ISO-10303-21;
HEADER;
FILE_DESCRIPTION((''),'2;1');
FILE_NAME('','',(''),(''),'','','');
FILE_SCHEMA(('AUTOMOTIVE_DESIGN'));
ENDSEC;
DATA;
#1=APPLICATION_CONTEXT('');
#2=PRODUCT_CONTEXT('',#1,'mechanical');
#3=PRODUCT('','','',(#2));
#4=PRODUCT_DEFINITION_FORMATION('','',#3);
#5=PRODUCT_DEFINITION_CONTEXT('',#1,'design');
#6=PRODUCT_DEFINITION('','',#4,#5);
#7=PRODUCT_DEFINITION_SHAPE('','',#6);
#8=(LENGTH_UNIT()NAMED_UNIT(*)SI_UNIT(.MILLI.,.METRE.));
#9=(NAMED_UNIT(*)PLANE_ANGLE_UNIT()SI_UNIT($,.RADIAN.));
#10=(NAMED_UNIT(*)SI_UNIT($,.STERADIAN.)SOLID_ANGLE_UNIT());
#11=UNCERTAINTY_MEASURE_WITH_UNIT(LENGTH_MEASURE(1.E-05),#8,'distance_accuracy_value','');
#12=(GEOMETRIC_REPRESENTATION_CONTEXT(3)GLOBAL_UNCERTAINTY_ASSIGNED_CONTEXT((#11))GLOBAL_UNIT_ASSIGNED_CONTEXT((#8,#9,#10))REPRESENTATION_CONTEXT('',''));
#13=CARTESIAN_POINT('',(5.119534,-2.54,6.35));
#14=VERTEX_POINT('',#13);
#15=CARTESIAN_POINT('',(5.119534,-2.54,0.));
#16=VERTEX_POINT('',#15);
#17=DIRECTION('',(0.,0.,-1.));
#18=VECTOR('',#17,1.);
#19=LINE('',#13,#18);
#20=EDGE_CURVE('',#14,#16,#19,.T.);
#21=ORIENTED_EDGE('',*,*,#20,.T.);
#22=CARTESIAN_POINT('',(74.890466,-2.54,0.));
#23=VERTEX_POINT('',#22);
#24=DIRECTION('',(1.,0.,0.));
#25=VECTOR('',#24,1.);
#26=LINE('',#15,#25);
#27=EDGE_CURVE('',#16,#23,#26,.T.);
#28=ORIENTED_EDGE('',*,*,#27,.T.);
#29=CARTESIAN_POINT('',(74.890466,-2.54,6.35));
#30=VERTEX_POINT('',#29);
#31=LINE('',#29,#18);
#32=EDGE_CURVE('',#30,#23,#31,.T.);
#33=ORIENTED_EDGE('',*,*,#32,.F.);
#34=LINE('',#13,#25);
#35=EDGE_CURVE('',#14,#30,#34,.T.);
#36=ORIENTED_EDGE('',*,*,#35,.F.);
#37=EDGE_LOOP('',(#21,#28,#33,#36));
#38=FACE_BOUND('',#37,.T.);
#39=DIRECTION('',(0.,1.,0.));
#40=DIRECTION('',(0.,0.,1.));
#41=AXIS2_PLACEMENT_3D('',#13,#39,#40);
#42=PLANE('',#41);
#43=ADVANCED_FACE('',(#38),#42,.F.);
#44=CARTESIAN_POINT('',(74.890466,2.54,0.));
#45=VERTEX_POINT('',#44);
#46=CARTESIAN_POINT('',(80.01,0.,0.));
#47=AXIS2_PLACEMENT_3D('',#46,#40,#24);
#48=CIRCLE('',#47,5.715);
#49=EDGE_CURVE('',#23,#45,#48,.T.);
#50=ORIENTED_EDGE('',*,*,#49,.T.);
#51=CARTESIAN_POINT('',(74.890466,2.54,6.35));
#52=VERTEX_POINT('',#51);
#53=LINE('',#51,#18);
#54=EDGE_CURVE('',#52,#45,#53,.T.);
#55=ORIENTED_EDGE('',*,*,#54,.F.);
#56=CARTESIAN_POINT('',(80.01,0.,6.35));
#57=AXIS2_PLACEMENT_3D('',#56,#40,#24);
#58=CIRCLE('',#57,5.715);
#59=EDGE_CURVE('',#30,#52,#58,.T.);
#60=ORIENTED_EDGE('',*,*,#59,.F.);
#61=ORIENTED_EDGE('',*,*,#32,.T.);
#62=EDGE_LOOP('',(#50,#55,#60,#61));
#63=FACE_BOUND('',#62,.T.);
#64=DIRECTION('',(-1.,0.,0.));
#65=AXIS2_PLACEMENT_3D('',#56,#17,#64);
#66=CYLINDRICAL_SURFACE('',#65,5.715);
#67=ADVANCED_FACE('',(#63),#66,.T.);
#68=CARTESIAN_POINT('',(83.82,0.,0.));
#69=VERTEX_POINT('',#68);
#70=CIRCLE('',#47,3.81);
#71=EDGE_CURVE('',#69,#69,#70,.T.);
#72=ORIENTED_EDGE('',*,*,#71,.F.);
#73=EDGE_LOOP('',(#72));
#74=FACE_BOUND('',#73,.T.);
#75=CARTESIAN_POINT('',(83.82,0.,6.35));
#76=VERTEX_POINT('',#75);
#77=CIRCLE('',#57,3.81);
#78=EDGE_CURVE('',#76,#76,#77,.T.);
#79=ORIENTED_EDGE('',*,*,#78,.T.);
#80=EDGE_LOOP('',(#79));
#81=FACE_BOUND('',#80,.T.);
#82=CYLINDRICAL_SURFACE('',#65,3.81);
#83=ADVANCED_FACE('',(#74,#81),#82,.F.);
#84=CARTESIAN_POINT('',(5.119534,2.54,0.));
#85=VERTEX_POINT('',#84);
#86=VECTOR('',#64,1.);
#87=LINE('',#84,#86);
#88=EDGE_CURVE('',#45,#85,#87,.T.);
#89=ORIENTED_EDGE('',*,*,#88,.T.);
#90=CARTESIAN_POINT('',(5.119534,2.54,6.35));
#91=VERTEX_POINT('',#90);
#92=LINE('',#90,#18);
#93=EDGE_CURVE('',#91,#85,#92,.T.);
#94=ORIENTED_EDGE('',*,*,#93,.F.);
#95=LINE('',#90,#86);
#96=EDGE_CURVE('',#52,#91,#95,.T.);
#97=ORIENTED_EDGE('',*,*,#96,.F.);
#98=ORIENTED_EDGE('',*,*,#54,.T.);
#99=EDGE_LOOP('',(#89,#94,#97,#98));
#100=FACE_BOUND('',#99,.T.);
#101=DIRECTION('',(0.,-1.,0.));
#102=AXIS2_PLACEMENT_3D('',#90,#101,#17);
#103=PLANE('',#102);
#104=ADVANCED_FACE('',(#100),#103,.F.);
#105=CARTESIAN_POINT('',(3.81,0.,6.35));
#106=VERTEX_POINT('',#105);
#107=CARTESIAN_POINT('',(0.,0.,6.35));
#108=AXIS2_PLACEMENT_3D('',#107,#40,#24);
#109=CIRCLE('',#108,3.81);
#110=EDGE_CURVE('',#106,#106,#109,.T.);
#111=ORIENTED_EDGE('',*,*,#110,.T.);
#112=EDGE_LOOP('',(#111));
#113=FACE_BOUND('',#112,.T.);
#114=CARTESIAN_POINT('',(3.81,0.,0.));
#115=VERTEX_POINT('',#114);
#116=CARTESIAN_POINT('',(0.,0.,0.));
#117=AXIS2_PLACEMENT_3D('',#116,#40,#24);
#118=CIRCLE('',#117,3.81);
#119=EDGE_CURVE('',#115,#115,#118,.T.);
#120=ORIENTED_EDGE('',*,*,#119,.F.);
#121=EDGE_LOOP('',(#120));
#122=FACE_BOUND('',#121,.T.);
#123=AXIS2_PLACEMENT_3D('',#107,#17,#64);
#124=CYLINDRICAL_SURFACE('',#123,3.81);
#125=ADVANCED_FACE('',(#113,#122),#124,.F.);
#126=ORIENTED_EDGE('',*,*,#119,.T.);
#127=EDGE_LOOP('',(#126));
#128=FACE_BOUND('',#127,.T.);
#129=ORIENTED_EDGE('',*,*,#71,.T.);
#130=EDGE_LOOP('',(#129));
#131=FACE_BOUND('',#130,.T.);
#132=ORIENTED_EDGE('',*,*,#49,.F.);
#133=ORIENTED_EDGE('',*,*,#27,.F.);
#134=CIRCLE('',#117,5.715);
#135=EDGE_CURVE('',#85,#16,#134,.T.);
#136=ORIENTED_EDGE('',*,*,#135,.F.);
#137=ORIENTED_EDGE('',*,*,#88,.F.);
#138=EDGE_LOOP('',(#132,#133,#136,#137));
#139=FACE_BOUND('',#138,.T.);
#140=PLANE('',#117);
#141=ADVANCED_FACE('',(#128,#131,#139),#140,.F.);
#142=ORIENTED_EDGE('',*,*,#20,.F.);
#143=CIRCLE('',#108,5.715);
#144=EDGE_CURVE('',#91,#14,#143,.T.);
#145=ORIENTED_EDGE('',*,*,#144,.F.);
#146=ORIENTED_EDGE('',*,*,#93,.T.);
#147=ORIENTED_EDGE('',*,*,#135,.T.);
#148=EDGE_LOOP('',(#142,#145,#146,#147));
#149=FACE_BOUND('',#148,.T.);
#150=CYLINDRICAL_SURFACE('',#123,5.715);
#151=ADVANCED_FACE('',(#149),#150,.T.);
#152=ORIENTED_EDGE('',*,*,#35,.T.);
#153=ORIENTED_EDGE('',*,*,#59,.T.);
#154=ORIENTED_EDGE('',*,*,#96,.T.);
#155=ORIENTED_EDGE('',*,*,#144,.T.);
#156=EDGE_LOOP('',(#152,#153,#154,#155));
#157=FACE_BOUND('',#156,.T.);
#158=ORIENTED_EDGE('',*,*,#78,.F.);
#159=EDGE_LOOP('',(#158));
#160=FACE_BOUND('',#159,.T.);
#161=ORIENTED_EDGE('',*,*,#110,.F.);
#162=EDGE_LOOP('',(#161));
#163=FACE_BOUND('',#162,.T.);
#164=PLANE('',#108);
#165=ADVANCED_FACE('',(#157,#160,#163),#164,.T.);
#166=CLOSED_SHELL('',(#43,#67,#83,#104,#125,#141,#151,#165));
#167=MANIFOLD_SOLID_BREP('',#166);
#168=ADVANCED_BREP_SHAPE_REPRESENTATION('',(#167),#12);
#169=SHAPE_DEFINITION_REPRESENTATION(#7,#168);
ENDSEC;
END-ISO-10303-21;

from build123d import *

# Parameters (mm, degrees)
SKETCH1_R           = 3.81
BOSS_EXTRUDE1_DEPTH = 6.35


with BuildPart() as part:
    # Sketch1 → Boss-Extrude1 (new body)
    with BuildSketch(Plane.XY):
        with BuildLine():
            Line((5.11953367, 2.54), (74.89046633, 2.54))
            ThreePointArc((74.89046633, 2.54), (85.725, 0), (74.89046633, -2.54))
            Line((74.89046633, -2.54), (5.11953367, -2.54))
            ThreePointArc((5.11953367, -2.54), (-5.715, 0), (5.11953367, 2.54))
        make_face()
        Circle(SKETCH1_R, mode=Mode.SUBTRACT)
        with Locations((80.01, 0)):
            Circle(SKETCH1_R, mode=Mode.SUBTRACT)
    extrude(amount=BOSS_EXTRUDE1_DEPTH)


solid = part.part
